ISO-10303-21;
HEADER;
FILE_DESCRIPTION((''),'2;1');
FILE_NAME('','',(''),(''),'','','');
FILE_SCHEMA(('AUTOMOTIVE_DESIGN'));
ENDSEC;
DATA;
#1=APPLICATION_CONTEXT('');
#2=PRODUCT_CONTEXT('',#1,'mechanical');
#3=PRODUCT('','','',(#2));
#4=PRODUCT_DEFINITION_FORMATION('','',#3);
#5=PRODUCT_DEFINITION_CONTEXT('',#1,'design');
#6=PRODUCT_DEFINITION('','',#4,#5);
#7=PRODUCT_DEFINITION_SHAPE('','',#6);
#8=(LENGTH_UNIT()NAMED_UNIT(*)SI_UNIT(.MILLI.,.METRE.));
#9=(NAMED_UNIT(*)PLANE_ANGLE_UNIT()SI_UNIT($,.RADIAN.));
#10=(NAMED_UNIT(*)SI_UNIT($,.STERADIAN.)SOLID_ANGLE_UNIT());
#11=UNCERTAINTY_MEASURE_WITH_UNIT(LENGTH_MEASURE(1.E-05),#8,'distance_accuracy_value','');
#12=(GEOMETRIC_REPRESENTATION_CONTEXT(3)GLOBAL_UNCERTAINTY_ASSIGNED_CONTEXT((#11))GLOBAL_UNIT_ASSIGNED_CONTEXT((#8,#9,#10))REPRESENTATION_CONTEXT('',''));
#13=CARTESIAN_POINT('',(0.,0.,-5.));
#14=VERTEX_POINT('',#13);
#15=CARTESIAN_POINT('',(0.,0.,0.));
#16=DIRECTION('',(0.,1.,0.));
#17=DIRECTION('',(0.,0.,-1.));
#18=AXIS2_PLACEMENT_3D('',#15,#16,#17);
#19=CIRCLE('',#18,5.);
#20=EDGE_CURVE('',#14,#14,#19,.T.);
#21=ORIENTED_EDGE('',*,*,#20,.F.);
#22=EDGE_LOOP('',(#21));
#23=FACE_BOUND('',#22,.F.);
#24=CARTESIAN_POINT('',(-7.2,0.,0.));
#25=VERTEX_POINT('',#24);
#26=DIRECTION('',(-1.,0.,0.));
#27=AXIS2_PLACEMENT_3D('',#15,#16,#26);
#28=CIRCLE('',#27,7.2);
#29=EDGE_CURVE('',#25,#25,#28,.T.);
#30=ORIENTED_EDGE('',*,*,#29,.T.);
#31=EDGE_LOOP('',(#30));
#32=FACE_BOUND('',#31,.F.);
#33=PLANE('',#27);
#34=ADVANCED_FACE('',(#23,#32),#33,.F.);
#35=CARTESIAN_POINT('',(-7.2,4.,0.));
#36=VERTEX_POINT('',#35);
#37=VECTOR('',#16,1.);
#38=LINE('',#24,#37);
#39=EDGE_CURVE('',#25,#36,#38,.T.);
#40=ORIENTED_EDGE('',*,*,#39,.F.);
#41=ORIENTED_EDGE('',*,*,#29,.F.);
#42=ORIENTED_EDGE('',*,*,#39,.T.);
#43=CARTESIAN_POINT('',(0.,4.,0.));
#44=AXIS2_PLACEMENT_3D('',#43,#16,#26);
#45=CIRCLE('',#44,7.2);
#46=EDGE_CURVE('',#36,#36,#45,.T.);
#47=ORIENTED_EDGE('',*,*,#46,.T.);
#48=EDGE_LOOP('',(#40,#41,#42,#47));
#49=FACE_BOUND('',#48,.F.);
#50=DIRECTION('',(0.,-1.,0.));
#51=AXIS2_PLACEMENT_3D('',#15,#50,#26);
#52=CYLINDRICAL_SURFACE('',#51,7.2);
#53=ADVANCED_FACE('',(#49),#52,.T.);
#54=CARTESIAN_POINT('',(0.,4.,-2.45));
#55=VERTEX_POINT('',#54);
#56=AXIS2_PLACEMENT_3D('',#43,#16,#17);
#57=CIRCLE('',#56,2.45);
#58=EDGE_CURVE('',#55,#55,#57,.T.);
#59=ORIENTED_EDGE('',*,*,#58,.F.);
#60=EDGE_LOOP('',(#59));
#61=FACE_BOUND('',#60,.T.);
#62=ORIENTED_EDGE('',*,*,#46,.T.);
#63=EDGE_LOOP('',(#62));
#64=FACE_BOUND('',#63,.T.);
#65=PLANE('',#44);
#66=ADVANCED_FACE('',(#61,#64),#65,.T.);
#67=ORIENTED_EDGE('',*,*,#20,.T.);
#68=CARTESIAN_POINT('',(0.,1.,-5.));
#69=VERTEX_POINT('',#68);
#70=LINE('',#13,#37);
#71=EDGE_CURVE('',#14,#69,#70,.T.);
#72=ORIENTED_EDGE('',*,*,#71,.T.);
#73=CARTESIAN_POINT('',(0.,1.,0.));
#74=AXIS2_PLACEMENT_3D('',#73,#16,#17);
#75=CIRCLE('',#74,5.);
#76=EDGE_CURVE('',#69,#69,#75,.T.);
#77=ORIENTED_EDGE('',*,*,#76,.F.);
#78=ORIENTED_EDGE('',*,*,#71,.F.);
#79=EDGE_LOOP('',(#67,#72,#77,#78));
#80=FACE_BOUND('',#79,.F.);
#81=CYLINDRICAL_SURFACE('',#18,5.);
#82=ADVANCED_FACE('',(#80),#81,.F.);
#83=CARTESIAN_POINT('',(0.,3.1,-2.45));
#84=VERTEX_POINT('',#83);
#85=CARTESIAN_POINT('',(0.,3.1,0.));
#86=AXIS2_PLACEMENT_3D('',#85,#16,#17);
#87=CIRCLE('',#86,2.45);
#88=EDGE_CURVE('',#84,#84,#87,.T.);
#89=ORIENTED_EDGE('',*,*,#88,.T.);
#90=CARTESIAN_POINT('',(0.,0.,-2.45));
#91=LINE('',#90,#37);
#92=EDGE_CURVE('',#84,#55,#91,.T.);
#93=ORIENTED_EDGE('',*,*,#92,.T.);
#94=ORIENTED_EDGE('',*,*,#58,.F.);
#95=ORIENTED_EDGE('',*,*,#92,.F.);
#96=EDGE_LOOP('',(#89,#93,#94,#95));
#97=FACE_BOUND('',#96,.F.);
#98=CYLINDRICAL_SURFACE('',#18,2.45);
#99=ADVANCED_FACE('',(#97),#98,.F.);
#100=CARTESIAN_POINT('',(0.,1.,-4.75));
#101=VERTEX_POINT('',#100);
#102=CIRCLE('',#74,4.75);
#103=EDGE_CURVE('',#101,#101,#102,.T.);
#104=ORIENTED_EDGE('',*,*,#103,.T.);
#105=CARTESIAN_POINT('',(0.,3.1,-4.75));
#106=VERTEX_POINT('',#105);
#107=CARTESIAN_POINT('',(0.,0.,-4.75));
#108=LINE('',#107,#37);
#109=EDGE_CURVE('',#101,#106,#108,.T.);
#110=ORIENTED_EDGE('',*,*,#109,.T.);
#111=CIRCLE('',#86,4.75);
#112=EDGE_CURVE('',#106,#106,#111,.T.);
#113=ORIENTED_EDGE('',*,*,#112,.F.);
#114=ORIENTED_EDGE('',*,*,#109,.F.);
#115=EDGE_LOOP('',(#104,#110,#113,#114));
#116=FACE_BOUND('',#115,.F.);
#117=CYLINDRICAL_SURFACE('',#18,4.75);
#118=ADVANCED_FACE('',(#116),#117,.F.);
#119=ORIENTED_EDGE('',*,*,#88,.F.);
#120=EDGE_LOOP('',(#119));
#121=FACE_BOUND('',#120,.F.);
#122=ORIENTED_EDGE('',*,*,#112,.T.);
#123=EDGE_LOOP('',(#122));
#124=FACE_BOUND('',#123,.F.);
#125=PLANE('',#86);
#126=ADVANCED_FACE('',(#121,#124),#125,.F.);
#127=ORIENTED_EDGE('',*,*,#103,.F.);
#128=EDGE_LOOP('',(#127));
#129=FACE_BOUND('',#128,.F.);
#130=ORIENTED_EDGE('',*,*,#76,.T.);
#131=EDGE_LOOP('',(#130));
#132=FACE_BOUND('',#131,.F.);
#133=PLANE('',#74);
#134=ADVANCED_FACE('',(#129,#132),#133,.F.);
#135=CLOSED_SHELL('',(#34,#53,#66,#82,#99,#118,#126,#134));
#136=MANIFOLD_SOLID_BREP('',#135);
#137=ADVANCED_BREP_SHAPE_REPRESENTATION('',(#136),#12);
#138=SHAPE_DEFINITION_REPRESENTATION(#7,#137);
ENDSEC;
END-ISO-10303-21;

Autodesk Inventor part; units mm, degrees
ref_plane "YZ Plane" through (0, 0, 0) normal (1, 0, 0) x (0, 1, 0)
ref_plane "XZ Plane" through (0, 0, 0) normal (0, 1, 0) x (-1, 0, 0)
ref_plane "XY Plane" through (0, 0, 0) normal (0, 0, 1) x (1, 0, 0)
sketch "Sketch1" plane through (0, 0, 0) normal (0, 1, 0) x (-1, 0, 0)
  circle A0 centre (0, 0) radius 7.2
  dimension "d0" = 14.4
extrude "Extrusion1" add sketch "Sketch1" along normal blind 4
hole "Hole1" at (0, 0, 0) direction (0, 1, 0) diameter 4.9 end through all
hole "Hole2" at (0, 0, 0) direction (0, 1, 0) diameter 9.5 depth 3.1
hole "Hole3" at (0, 0, 0) direction (0, 1, 0) diameter 10 depth 1
properties part number "Hitec HS-5245MG gear 5 _2"
